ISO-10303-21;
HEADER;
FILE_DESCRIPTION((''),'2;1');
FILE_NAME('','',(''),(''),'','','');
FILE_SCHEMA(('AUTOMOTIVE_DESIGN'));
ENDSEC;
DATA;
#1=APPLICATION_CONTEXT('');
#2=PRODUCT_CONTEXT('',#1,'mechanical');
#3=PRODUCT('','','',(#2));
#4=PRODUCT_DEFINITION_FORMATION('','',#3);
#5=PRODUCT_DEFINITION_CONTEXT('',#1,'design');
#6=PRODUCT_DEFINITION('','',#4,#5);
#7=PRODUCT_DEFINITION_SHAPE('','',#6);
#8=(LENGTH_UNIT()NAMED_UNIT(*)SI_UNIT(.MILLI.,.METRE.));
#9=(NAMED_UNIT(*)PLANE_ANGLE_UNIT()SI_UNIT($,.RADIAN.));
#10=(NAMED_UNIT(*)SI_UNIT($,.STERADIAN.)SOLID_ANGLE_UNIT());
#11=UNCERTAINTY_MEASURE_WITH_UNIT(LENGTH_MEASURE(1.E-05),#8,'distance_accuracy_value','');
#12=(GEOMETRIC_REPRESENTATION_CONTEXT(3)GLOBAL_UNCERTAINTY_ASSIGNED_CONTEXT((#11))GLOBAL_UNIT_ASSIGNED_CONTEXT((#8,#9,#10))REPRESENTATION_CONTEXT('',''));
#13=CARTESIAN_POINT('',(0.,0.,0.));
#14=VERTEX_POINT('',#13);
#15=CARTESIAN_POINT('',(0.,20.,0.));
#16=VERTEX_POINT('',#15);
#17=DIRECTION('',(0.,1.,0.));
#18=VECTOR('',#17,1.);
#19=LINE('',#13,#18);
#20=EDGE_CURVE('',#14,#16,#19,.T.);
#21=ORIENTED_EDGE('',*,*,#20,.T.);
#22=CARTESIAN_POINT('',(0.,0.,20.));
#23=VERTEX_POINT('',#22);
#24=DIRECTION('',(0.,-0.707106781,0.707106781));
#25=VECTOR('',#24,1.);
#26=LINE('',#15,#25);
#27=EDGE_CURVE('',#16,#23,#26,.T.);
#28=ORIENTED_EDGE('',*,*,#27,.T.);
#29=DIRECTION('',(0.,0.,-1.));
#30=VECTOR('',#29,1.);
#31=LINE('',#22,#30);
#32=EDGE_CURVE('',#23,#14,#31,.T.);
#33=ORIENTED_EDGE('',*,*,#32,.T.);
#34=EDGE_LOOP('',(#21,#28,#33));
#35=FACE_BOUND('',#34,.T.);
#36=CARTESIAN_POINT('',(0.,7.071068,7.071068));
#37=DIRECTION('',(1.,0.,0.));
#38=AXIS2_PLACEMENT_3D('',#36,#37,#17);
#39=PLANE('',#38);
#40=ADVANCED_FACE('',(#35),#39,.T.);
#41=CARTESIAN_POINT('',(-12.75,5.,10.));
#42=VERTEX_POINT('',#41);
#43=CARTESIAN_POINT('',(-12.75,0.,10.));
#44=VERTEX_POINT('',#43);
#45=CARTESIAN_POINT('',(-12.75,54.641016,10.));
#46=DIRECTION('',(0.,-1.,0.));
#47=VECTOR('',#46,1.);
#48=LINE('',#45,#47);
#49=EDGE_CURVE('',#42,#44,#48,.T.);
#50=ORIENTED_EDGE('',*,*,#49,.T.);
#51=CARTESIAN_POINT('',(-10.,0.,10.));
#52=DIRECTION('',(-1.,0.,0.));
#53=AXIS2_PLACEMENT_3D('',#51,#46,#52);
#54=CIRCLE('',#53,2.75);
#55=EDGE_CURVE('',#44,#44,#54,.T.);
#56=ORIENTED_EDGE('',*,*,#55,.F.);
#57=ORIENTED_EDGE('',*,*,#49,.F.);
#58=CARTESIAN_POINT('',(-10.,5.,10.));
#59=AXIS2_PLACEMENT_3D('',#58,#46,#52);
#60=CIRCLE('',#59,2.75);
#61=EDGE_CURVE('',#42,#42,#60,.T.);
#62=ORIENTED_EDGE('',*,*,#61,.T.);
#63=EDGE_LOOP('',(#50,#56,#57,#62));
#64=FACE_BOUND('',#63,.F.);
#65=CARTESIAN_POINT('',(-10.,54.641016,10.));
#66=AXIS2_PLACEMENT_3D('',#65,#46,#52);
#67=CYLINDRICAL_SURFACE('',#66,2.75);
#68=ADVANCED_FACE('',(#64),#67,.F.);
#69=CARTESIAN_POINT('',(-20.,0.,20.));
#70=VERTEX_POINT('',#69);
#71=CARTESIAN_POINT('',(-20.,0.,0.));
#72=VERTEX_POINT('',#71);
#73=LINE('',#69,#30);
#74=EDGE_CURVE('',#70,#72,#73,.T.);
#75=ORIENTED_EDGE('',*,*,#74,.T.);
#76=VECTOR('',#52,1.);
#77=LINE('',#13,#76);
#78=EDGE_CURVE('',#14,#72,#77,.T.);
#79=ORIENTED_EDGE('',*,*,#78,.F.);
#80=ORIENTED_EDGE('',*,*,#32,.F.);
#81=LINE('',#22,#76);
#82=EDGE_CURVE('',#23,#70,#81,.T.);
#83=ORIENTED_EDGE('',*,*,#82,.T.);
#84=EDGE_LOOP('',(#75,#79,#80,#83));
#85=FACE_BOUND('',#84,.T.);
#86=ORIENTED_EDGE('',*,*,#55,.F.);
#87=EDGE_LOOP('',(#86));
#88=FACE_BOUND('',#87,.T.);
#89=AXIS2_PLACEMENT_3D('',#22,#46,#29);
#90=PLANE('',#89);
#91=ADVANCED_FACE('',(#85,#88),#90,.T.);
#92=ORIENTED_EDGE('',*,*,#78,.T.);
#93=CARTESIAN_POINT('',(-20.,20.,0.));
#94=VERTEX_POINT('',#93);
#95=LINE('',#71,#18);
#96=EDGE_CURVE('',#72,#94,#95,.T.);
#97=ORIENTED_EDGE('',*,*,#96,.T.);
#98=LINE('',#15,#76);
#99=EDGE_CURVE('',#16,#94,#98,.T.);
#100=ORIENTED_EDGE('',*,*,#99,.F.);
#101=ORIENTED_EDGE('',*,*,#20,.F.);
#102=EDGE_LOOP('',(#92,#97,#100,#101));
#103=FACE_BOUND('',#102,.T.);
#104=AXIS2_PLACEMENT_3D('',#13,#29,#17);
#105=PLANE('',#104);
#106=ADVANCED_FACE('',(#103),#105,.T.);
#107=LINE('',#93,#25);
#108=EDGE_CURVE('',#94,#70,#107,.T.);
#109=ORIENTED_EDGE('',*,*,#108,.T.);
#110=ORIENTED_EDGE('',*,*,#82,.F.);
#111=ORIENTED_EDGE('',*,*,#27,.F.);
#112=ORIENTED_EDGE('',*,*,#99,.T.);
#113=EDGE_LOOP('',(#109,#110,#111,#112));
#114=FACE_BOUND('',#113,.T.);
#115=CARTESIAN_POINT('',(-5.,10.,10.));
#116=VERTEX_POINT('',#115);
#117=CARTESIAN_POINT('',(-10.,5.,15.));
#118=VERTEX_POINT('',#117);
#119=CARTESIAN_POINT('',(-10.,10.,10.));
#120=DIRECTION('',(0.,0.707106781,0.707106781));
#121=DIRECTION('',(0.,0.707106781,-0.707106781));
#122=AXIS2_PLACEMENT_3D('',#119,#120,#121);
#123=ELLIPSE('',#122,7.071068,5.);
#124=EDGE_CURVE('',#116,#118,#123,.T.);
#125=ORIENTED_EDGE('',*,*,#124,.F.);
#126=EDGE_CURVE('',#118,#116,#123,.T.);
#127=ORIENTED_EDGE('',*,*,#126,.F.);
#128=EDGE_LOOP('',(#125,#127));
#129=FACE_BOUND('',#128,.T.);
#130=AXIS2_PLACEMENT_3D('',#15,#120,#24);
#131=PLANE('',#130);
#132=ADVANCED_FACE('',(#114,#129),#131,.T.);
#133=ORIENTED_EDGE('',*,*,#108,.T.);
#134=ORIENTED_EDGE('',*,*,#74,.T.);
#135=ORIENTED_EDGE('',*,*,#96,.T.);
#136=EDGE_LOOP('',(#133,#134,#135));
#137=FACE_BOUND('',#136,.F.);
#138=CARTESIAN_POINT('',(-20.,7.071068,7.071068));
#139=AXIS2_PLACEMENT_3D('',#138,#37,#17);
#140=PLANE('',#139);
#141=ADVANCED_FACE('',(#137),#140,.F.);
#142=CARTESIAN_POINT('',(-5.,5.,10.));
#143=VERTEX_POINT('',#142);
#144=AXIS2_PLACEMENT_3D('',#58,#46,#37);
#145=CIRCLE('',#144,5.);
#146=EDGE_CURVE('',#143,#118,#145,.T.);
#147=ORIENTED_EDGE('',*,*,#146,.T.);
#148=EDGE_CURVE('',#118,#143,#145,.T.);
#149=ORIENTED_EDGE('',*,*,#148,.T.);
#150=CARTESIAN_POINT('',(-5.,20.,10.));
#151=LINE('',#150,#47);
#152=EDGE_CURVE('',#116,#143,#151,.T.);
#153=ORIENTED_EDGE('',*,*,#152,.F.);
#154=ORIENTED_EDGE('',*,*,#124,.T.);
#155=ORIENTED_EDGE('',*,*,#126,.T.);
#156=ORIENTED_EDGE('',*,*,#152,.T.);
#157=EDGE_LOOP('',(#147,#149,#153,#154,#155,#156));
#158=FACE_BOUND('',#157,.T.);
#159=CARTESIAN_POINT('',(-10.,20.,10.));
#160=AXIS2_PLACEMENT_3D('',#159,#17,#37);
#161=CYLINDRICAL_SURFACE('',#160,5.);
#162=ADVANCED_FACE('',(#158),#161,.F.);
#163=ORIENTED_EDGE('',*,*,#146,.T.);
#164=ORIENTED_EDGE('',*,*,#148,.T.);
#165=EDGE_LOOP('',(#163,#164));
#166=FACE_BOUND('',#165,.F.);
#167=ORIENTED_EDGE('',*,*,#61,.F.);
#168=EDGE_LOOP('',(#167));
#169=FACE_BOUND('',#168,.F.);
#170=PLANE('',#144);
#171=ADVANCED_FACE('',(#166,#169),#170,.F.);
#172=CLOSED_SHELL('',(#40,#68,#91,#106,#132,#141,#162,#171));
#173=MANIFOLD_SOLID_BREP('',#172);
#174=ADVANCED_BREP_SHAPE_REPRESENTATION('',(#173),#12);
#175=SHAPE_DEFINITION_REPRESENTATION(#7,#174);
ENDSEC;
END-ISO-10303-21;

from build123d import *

# Parameters (mm, degrees)
F1_DEPTH = 20
F4_D     = 5.5
F3_R     = 5
F5_DEPTH = 15


with BuildPart() as f1:
    # F0 (on Right) → F1 (new body)
    with BuildSketch(Plane.YZ):
        Polygon((0, 20), (0, 0), (20, 0), align=None)
    extrude(amount=-F1_DEPTH)

    # F4 (through all)
    with Locations(Plane(origin=(0, 20, 0), x_dir=(1, 0, 0), z_dir=(0, 1, 0))):
        with Locations((-10, -10)):
            Hole(F4_D / 2)

    # F3 (on offset) → F5 (cut)
    with BuildSketch(Plane.XZ.offset(-20)):
        with Locations((-10, 10)):
            Circle(F3_R)
    extrude(amount=F5_DEPTH, mode=Mode.SUBTRACT)


solid = f1.part
